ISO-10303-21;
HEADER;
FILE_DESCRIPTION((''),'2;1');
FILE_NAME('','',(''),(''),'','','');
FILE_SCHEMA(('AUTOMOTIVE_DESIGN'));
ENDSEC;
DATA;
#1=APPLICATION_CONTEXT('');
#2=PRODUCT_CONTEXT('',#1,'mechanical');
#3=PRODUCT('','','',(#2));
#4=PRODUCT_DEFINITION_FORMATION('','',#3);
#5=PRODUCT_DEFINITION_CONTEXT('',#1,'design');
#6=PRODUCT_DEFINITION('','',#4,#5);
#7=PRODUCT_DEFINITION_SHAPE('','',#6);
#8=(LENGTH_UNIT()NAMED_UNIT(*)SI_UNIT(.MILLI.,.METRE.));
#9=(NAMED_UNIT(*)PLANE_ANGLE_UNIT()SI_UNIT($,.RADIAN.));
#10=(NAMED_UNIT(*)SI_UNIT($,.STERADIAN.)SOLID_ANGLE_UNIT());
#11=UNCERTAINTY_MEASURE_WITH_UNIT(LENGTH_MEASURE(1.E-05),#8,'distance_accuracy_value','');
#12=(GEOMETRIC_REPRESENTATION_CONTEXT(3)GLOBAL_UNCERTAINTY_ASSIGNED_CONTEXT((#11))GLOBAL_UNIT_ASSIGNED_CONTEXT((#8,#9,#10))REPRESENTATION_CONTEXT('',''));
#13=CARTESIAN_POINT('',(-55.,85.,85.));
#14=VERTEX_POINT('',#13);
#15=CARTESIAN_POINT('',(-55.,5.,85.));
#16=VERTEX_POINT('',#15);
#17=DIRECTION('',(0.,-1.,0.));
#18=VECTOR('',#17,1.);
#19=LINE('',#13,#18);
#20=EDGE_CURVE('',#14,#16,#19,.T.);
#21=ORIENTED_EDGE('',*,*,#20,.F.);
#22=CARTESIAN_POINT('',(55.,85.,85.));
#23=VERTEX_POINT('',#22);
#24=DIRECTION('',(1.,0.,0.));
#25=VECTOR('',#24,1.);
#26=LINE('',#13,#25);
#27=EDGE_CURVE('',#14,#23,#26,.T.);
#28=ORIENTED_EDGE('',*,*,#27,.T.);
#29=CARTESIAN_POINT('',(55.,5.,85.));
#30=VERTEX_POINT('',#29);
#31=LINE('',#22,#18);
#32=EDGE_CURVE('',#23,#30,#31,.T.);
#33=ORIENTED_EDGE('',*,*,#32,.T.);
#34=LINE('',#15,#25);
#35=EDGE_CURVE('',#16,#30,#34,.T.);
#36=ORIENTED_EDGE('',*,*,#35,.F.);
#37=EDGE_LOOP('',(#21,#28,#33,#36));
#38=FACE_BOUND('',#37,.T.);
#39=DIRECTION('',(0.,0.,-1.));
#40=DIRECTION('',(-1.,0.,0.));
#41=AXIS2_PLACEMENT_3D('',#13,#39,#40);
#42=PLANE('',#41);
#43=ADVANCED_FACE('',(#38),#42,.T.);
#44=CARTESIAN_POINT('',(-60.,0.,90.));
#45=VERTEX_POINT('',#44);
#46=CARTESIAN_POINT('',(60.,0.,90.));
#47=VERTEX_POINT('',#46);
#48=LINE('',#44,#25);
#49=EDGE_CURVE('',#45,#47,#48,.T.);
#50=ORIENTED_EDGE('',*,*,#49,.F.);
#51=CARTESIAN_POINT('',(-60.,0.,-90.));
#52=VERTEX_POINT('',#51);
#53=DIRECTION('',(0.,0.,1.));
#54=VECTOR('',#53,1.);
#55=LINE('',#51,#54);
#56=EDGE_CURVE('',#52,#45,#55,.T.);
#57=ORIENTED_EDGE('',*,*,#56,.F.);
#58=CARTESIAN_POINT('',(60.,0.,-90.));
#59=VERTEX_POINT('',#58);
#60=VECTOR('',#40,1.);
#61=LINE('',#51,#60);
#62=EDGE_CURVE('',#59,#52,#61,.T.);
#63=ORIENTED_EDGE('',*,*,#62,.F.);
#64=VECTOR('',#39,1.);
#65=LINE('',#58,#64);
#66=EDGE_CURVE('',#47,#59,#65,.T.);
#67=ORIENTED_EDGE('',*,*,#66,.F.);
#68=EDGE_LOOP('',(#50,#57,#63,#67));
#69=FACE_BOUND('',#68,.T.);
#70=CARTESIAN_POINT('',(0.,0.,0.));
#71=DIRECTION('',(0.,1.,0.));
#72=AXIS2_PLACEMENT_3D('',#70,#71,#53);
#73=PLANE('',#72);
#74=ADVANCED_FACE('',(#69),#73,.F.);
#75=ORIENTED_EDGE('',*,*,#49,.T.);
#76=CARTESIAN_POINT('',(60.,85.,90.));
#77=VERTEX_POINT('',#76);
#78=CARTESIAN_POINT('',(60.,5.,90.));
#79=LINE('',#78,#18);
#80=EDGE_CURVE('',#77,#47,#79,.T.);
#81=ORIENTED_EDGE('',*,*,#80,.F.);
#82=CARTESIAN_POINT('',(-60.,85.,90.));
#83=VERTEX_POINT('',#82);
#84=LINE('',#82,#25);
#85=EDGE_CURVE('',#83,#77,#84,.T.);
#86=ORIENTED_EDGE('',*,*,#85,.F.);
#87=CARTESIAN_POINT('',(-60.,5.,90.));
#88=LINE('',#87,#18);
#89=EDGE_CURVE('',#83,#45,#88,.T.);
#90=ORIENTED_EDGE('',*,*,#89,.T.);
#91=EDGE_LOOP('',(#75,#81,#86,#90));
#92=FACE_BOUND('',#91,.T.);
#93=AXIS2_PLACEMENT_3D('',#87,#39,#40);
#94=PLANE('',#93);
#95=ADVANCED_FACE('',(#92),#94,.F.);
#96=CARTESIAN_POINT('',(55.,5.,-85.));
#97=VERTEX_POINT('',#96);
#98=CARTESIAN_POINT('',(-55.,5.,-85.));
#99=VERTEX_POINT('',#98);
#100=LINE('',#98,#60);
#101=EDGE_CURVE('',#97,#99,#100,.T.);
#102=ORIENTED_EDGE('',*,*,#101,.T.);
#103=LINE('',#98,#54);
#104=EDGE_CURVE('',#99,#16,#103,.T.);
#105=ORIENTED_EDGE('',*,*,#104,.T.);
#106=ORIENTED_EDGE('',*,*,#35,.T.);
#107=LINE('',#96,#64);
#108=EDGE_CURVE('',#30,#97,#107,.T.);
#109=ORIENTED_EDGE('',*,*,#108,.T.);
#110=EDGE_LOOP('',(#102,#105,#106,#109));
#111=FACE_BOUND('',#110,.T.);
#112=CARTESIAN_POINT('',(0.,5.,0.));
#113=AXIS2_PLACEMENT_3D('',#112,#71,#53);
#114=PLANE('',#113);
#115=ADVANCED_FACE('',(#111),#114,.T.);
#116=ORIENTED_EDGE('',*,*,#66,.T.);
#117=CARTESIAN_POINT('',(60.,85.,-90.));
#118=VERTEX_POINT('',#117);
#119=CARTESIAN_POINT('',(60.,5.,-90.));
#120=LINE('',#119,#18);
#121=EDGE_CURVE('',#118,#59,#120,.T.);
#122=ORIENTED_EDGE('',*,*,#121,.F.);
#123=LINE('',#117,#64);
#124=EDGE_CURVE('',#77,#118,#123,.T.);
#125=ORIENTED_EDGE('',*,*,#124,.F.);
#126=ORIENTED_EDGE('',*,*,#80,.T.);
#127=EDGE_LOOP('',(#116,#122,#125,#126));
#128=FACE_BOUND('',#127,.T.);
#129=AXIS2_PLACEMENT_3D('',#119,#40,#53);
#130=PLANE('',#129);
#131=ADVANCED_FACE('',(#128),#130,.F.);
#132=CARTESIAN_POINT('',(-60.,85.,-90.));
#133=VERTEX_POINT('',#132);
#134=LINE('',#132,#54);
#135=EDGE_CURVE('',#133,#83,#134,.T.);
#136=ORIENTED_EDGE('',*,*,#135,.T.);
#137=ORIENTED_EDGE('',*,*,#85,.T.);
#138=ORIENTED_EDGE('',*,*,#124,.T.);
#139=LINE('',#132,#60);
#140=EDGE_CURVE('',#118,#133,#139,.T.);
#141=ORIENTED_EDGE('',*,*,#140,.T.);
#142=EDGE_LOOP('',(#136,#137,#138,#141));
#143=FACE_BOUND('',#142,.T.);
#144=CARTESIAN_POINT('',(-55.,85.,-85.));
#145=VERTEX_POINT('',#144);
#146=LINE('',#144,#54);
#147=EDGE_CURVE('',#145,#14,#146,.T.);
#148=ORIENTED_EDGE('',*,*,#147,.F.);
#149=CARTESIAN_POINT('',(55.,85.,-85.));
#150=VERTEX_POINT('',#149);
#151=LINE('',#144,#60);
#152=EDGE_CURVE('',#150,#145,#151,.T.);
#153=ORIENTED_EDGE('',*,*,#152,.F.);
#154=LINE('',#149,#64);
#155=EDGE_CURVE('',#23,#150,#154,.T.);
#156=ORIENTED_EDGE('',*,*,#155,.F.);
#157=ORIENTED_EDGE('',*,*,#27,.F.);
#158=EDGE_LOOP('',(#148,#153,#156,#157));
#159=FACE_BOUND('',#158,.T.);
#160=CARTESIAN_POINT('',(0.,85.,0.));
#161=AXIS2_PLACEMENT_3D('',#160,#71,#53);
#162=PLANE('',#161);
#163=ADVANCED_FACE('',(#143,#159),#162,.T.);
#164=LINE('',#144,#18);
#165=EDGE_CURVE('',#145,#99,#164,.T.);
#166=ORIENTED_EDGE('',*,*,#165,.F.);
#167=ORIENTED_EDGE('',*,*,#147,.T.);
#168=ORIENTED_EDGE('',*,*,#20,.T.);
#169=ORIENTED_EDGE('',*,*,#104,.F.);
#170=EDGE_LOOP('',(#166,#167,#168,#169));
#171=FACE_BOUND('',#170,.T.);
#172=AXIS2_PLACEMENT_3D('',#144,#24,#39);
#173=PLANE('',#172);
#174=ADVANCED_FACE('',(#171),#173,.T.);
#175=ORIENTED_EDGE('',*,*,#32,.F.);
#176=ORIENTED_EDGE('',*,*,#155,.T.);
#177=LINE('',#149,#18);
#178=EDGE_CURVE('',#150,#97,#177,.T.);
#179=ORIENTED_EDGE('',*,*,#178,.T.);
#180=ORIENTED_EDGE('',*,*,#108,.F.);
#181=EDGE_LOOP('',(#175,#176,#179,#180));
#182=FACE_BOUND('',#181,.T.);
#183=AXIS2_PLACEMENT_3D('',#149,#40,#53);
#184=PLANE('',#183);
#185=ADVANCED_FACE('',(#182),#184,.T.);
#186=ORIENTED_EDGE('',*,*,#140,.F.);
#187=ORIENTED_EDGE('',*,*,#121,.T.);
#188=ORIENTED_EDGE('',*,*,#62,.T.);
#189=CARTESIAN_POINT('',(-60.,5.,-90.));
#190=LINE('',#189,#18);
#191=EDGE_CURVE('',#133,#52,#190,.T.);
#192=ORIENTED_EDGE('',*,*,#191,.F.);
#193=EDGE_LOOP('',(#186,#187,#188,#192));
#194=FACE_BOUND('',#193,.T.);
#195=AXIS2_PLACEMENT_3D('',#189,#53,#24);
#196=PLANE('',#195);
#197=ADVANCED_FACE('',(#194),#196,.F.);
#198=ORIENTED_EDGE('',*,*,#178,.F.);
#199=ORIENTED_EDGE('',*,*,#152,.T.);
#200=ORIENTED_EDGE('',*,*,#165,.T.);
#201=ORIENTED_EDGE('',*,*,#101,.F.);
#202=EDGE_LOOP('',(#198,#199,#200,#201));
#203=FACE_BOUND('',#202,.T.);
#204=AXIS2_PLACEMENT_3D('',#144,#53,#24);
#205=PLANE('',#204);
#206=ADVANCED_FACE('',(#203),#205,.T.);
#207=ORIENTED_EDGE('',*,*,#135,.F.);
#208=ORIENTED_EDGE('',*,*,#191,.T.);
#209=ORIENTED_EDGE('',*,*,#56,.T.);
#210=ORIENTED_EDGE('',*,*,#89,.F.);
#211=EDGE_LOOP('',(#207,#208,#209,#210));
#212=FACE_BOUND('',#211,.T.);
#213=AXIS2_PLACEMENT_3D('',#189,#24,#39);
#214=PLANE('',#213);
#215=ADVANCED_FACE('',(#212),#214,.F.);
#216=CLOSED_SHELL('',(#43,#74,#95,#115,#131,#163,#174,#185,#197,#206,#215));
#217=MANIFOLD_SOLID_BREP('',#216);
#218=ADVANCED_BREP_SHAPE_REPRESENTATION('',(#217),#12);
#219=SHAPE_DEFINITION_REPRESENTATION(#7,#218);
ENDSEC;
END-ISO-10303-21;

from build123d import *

# Parameters (mm, degrees)
SKETCH1_W           = 120
SKETCH1_H           = 180
BOSS_EXTRUDE1_DEPTH = 5
SKETCH2_W           = 120
SKETCH2_H           = 180
SKETCH2_W_2         = 110
SKETCH2_H_2         = 170
BOSS_EXTRUDE2_DEPTH = 80


with BuildPart() as part:
    # Sketch1 → Boss-Extrude1 (new body)
    with BuildSketch(Plane(origin=(0, 0, 0), x_dir=(1, 0, 0), z_dir=(0, 1, 0))):
        Rectangle(SKETCH1_W, SKETCH1_H)
    extrude(amount=BOSS_EXTRUDE1_DEPTH)

    # Sketch2 → Boss-Extrude2 (add)
    with BuildSketch(Plane(origin=(0, 5, 0), x_dir=(1, 0, 0), z_dir=(0, 1, 0))):
        Rectangle(SKETCH2_W, SKETCH2_H)
        Rectangle(SKETCH2_W_2, SKETCH2_H_2, mode=Mode.SUBTRACT)
    extrude(amount=BOSS_EXTRUDE2_DEPTH)


solid = part.part
